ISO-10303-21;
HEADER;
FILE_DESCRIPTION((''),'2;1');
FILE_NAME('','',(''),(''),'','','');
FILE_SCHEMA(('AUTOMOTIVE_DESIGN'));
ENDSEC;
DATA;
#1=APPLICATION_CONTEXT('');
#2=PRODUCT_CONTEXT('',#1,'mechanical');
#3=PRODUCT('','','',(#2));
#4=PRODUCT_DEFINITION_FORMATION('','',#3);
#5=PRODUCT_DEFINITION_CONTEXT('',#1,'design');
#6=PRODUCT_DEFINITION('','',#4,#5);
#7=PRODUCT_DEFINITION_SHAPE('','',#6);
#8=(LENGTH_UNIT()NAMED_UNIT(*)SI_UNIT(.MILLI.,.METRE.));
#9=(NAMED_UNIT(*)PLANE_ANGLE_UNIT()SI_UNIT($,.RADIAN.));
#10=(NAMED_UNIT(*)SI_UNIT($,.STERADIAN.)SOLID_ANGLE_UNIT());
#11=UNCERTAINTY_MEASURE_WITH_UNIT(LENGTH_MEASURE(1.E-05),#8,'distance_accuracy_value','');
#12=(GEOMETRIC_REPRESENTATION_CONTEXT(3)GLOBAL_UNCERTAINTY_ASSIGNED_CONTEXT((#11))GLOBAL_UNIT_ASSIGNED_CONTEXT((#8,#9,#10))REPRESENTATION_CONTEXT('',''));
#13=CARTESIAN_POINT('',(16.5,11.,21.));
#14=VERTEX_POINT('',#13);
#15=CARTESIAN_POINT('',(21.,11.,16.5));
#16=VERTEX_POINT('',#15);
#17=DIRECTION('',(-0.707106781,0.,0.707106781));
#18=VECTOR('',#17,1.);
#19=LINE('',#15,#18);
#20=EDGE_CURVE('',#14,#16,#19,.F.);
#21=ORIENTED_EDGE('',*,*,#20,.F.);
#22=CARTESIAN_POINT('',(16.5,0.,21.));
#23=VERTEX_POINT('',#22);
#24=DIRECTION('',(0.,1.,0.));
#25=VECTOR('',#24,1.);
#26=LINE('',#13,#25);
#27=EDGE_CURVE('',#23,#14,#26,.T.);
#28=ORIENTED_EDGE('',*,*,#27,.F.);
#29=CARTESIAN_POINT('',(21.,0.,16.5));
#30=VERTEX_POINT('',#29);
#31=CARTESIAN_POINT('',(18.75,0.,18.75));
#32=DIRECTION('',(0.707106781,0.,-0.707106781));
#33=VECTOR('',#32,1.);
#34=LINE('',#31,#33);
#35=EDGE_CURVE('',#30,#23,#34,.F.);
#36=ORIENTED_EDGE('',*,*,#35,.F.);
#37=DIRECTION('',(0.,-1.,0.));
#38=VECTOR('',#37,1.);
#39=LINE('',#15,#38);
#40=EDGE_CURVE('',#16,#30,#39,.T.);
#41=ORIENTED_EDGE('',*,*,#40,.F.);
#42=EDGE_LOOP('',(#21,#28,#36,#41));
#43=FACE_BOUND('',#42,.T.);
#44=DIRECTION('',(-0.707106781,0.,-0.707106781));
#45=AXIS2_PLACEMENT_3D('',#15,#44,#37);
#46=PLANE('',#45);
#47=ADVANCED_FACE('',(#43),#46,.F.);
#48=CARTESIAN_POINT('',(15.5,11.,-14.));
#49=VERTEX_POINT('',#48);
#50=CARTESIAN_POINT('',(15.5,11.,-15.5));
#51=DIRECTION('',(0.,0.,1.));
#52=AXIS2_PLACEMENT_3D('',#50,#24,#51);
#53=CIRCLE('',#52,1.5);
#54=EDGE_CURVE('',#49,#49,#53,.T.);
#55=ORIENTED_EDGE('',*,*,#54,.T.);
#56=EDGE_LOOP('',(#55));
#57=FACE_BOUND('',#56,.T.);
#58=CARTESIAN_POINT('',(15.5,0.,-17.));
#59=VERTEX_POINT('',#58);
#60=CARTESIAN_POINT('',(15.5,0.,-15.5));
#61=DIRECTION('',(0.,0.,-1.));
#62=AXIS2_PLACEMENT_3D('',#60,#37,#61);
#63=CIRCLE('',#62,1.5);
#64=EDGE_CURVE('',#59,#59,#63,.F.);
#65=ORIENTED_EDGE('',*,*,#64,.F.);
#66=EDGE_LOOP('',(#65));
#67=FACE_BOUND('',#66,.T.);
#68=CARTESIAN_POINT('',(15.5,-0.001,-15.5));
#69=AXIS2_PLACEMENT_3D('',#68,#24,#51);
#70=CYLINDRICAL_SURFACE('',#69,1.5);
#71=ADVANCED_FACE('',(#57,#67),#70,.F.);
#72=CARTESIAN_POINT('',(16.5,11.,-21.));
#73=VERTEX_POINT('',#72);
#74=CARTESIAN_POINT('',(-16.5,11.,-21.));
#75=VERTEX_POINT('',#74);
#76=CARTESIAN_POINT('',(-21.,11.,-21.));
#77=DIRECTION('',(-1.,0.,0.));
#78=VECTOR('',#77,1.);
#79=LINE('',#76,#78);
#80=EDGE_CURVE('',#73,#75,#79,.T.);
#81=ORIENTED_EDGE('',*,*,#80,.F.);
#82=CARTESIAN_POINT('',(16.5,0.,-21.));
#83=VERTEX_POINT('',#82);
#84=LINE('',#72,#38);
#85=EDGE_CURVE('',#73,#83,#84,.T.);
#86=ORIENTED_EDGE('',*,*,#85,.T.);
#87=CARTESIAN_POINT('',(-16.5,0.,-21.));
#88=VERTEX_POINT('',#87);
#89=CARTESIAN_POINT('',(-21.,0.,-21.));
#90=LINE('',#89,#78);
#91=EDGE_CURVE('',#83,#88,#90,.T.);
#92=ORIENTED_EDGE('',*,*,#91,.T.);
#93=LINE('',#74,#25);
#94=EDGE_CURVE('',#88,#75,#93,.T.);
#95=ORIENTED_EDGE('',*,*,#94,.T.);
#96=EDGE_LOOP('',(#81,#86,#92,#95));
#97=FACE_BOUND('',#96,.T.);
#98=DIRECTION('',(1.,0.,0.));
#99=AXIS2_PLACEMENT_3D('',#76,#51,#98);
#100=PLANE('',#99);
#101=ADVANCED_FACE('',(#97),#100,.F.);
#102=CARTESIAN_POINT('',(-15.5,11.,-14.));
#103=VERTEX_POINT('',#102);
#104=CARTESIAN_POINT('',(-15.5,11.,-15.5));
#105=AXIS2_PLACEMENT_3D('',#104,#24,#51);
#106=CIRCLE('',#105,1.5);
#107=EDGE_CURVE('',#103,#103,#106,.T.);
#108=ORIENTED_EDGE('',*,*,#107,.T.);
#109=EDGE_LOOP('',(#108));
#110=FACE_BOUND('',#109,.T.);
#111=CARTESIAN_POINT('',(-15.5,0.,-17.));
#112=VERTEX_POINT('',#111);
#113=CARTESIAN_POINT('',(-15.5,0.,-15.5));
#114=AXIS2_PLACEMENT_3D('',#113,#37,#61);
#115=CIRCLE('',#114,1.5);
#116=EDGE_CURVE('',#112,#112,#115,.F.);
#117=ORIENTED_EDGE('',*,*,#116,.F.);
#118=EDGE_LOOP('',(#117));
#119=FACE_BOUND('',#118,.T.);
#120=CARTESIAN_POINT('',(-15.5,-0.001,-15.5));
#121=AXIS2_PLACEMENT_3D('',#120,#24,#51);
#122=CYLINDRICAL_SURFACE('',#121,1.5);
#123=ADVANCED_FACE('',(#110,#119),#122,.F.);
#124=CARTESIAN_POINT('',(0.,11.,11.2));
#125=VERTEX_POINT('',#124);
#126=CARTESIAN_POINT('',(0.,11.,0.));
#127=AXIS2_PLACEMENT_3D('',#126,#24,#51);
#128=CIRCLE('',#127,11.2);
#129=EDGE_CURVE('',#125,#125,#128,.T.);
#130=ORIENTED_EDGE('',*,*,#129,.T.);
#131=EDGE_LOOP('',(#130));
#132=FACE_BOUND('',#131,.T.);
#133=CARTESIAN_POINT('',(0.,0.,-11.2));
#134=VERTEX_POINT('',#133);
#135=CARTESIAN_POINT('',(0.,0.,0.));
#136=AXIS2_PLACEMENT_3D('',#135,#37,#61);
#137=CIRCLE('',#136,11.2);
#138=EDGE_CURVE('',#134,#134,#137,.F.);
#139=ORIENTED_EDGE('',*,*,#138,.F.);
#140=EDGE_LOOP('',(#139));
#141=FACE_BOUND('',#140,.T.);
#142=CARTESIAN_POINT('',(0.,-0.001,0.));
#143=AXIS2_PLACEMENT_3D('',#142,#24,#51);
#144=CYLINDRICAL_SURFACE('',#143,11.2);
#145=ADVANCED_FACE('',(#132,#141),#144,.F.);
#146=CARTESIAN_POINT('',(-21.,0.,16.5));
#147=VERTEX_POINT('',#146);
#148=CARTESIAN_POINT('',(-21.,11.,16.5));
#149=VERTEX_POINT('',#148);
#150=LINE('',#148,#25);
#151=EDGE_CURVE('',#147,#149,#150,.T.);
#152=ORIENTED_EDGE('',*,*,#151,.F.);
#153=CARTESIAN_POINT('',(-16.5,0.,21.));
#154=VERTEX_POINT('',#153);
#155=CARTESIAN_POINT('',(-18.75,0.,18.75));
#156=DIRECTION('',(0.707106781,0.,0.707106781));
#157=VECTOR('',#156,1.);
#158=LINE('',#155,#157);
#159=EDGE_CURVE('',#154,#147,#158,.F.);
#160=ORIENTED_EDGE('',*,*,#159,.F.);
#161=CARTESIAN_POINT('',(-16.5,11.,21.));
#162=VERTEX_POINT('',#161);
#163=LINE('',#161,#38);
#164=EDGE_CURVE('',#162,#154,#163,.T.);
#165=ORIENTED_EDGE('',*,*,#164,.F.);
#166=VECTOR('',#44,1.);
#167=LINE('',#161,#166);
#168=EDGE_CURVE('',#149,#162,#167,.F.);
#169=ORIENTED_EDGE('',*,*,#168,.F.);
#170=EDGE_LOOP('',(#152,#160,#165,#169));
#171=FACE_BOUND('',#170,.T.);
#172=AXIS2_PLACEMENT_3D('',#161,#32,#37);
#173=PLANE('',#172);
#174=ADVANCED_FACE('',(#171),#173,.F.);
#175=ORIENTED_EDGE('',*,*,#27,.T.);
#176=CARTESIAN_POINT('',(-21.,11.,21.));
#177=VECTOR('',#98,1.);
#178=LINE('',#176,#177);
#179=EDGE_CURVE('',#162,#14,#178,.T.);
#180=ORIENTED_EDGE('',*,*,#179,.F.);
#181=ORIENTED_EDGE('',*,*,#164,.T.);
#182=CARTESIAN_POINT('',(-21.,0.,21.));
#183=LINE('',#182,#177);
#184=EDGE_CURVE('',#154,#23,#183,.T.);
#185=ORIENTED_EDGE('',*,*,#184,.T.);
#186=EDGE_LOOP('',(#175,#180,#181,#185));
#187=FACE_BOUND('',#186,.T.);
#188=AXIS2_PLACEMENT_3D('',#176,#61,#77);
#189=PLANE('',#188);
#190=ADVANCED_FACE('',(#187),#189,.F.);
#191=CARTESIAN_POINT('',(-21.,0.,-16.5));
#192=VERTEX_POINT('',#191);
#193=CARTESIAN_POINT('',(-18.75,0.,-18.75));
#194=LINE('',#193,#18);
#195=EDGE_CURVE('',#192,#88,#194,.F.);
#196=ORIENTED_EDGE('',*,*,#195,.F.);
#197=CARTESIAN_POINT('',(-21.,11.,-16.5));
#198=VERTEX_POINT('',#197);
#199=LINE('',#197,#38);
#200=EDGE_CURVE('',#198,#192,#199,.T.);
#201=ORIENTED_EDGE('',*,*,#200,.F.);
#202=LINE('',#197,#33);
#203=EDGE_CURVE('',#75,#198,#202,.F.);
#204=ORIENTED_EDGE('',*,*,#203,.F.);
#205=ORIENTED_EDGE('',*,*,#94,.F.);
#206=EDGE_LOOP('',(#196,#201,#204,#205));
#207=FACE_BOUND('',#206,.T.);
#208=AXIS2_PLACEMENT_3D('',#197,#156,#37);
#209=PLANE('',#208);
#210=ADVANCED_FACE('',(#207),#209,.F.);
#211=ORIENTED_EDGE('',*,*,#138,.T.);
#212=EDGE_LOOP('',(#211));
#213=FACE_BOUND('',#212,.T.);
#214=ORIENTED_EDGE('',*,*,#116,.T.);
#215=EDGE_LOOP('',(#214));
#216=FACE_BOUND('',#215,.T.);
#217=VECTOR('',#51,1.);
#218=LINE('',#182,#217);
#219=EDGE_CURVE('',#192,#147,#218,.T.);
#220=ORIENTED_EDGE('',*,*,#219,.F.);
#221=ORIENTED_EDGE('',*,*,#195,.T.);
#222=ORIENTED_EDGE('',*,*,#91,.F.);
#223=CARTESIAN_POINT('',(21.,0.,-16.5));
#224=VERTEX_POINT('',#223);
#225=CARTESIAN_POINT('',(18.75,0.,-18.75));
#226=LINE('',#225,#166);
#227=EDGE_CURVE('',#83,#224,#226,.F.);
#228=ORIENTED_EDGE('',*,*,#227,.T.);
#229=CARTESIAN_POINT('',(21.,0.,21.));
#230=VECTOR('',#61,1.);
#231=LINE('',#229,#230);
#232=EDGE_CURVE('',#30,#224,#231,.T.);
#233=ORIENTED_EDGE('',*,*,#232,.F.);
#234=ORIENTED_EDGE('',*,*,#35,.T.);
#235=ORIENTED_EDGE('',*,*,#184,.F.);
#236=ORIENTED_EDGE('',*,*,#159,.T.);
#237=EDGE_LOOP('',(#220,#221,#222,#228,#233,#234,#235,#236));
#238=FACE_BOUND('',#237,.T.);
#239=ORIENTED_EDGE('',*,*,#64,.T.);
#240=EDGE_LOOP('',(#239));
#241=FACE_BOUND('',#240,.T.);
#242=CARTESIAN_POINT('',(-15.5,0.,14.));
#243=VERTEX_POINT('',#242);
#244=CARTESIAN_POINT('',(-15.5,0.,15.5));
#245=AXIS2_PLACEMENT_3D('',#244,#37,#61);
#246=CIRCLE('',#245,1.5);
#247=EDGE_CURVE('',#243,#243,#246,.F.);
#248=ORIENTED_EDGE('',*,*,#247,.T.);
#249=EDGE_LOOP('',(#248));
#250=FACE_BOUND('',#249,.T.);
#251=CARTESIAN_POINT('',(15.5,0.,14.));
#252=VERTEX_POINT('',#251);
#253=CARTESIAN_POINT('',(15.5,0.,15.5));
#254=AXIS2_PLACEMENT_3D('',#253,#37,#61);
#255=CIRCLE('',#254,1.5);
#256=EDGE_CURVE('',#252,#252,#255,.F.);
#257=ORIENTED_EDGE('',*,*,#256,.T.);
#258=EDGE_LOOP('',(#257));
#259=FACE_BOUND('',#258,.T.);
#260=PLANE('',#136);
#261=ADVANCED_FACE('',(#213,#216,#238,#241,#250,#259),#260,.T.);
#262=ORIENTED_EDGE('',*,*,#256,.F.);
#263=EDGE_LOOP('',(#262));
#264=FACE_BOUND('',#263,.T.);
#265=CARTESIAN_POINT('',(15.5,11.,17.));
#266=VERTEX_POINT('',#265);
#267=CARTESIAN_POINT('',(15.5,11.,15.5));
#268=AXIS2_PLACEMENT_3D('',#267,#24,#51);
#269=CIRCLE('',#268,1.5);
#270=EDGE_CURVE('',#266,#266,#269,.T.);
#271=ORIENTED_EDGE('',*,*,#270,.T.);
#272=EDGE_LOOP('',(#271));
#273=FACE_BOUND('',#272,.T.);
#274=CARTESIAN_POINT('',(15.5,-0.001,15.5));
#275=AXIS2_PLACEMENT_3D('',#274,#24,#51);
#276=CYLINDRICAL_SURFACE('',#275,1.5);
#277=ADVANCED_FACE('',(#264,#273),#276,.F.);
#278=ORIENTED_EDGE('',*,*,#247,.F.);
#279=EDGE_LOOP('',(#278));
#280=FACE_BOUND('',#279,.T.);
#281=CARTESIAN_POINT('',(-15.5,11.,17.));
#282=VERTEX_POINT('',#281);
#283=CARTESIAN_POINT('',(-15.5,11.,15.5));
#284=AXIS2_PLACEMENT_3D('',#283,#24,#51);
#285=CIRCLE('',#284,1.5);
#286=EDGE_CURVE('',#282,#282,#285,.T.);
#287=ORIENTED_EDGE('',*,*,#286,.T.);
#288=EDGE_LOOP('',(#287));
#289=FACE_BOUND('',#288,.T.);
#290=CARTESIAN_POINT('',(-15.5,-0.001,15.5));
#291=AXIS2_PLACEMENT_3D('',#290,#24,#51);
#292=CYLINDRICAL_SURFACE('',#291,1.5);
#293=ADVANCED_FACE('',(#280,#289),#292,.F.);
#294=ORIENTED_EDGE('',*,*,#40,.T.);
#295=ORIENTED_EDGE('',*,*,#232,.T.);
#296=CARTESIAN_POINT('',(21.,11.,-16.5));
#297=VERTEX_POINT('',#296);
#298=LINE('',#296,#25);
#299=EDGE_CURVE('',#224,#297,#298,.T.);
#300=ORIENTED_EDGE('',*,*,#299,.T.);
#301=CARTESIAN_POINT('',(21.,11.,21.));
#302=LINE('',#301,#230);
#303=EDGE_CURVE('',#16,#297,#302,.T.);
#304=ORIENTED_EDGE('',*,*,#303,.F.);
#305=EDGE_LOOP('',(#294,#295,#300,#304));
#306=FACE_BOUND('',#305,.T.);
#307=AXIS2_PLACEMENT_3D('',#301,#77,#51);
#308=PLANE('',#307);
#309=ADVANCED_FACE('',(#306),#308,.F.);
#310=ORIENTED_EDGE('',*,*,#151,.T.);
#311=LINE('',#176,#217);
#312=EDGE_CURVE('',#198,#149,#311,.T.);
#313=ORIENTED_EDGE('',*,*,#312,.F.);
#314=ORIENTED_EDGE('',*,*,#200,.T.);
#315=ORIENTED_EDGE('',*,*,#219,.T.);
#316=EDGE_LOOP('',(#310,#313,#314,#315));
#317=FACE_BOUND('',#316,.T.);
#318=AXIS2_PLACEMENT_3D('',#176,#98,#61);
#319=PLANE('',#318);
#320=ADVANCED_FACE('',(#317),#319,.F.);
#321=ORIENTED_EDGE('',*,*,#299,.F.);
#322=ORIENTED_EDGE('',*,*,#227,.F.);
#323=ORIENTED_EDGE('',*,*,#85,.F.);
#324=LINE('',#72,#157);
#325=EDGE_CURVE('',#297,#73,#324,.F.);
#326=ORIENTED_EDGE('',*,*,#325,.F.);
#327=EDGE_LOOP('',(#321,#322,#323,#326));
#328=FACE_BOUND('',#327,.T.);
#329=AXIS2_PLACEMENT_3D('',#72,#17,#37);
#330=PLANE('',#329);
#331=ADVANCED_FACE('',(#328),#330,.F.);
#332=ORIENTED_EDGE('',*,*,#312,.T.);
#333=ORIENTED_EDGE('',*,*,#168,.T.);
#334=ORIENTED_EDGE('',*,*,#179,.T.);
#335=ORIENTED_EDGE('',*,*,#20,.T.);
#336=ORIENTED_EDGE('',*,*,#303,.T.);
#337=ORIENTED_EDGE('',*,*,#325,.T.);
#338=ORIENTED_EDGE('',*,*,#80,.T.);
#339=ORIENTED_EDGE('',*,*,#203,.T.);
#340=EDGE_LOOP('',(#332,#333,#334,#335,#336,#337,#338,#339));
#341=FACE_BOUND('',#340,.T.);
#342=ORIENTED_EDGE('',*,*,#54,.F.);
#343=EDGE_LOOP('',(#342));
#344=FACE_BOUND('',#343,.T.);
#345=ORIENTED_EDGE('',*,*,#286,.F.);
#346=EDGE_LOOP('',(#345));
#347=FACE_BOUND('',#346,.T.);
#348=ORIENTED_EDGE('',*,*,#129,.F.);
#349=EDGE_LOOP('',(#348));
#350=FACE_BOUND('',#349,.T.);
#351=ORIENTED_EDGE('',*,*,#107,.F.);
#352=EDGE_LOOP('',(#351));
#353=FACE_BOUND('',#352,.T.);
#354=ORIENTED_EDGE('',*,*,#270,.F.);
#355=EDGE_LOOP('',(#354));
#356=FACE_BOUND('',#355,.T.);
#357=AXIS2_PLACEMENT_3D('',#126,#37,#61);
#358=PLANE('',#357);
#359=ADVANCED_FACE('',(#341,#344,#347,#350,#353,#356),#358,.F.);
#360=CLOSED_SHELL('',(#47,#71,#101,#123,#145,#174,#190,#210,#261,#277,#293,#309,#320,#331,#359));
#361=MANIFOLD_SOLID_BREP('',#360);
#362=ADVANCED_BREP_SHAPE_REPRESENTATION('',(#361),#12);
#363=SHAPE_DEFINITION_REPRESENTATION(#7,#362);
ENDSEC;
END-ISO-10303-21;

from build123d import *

# Parameters (mm, degrees)
SKETCH1_W           = 42
SKETCH1_H           = 42
BOSS_EXTRUDE1_DEPTH = 11
CHAMFER1_SIZE       = 4.5
CUT_EXTRUDE1_REACH  = 33.67
SKETCH3_R           = 1.5
CUT_EXTRUDE2_REACH  = 33.67
SKETCH4_R           = 11.2


with BuildPart() as part:
    # Sketch1 → Boss-Extrude1 (new body)
    with BuildSketch(Plane(origin=(0, 0, 0), x_dir=(1, 0, 0), z_dir=(0, 1, 0))):
        Rectangle(SKETCH1_W, SKETCH1_H)
    extrude(amount=BOSS_EXTRUDE1_DEPTH)

    # Chamfer1
    chamfer1_edges = [part.edges().sort_by_distance(p)[0] for p in [
        (21, 5.5, 21),
        (-21, 5.5, 21),
        (-21, 5.5, -21),
        (21, 5.5, -21),
    ]]
    chamfer(chamfer1_edges, length=CHAMFER1_SIZE)

    # Sketch3 → Cut-Extrude1 (cut, up to next)
    with BuildSketch(Plane(origin=(0, 11, 0), x_dir=(1, 0, 0), z_dir=(0, 1, 0)), mode=Mode.PRIVATE) as cut_extrude1_sk1:
        with Locations(Location((-15.5, 15.5, 0), (0, 0, 270))):
            Circle(SKETCH3_R)
    cut_extrude1_tool1 = extrude(cut_extrude1_sk1.sketch, amount=-CUT_EXTRUDE1_REACH, mode=Mode.PRIVATE) & part.part
    # Sketch3 → Cut-Extrude1 (cut, up to next)
    with BuildSketch(Plane(origin=(0, 11, 0), x_dir=(1, 0, 0), z_dir=(0, 1, 0)), mode=Mode.PRIVATE) as cut_extrude1_sk2:
        with Locations(Location((15.5, 15.5, 0), (0, 0, 270))):
            Circle(SKETCH3_R)
    cut_extrude1_tool2 = extrude(cut_extrude1_sk2.sketch, amount=-CUT_EXTRUDE1_REACH, mode=Mode.PRIVATE) & part.part
    # Sketch3 → Cut-Extrude1 (cut, up to next)
    with BuildSketch(Plane(origin=(0, 11, 0), x_dir=(1, 0, 0), z_dir=(0, 1, 0)), mode=Mode.PRIVATE) as cut_extrude1_sk3:
        with Locations(Location((15.5, -15.5, 0), (0, 0, 270))):
            Circle(SKETCH3_R)
    cut_extrude1_tool3 = extrude(cut_extrude1_sk3.sketch, amount=-CUT_EXTRUDE1_REACH, mode=Mode.PRIVATE) & part.part
    # Sketch3 → Cut-Extrude1 (cut, up to next)
    with BuildSketch(Plane(origin=(0, 11, 0), x_dir=(1, 0, 0), z_dir=(0, 1, 0)), mode=Mode.PRIVATE) as cut_extrude1_sk4:
        with Locations(Location((-15.5, -15.5, 0), (0, 0, 270))):
            Circle(SKETCH3_R)
    cut_extrude1_tool4 = extrude(cut_extrude1_sk4.sketch, amount=-CUT_EXTRUDE1_REACH, mode=Mode.PRIVATE) & part.part
    add(cut_extrude1_tool1.solids().sort_by_distance((-15.5, 11, -15.5))[0], mode=Mode.SUBTRACT)
    add(cut_extrude1_tool2.solids().sort_by_distance((15.5, 11, -15.5))[0], mode=Mode.SUBTRACT)
    add(cut_extrude1_tool3.solids().sort_by_distance((15.5, 11, 15.5))[0], mode=Mode.SUBTRACT)
    add(cut_extrude1_tool4.solids().sort_by_distance((-15.5, 11, 15.5))[0], mode=Mode.SUBTRACT)

    # Sketch4 → Cut-Extrude2 (cut, up to next)
    with BuildSketch(Plane(origin=(0, 11, 0), x_dir=(1, 0, 0), z_dir=(0, 1, 0)), mode=Mode.PRIVATE) as cut_extrude2_sk1:
        with Locations(Location((0, 0, 0), (0, 0, 270))):
            Circle(SKETCH4_R)
    cut_extrude2_tool1 = extrude(cut_extrude2_sk1.sketch, amount=-CUT_EXTRUDE2_REACH, mode=Mode.PRIVATE) & part.part
    add(cut_extrude2_tool1.solids().sort_by_distance((0, 11, 0))[0], mode=Mode.SUBTRACT)


solid = part.part
